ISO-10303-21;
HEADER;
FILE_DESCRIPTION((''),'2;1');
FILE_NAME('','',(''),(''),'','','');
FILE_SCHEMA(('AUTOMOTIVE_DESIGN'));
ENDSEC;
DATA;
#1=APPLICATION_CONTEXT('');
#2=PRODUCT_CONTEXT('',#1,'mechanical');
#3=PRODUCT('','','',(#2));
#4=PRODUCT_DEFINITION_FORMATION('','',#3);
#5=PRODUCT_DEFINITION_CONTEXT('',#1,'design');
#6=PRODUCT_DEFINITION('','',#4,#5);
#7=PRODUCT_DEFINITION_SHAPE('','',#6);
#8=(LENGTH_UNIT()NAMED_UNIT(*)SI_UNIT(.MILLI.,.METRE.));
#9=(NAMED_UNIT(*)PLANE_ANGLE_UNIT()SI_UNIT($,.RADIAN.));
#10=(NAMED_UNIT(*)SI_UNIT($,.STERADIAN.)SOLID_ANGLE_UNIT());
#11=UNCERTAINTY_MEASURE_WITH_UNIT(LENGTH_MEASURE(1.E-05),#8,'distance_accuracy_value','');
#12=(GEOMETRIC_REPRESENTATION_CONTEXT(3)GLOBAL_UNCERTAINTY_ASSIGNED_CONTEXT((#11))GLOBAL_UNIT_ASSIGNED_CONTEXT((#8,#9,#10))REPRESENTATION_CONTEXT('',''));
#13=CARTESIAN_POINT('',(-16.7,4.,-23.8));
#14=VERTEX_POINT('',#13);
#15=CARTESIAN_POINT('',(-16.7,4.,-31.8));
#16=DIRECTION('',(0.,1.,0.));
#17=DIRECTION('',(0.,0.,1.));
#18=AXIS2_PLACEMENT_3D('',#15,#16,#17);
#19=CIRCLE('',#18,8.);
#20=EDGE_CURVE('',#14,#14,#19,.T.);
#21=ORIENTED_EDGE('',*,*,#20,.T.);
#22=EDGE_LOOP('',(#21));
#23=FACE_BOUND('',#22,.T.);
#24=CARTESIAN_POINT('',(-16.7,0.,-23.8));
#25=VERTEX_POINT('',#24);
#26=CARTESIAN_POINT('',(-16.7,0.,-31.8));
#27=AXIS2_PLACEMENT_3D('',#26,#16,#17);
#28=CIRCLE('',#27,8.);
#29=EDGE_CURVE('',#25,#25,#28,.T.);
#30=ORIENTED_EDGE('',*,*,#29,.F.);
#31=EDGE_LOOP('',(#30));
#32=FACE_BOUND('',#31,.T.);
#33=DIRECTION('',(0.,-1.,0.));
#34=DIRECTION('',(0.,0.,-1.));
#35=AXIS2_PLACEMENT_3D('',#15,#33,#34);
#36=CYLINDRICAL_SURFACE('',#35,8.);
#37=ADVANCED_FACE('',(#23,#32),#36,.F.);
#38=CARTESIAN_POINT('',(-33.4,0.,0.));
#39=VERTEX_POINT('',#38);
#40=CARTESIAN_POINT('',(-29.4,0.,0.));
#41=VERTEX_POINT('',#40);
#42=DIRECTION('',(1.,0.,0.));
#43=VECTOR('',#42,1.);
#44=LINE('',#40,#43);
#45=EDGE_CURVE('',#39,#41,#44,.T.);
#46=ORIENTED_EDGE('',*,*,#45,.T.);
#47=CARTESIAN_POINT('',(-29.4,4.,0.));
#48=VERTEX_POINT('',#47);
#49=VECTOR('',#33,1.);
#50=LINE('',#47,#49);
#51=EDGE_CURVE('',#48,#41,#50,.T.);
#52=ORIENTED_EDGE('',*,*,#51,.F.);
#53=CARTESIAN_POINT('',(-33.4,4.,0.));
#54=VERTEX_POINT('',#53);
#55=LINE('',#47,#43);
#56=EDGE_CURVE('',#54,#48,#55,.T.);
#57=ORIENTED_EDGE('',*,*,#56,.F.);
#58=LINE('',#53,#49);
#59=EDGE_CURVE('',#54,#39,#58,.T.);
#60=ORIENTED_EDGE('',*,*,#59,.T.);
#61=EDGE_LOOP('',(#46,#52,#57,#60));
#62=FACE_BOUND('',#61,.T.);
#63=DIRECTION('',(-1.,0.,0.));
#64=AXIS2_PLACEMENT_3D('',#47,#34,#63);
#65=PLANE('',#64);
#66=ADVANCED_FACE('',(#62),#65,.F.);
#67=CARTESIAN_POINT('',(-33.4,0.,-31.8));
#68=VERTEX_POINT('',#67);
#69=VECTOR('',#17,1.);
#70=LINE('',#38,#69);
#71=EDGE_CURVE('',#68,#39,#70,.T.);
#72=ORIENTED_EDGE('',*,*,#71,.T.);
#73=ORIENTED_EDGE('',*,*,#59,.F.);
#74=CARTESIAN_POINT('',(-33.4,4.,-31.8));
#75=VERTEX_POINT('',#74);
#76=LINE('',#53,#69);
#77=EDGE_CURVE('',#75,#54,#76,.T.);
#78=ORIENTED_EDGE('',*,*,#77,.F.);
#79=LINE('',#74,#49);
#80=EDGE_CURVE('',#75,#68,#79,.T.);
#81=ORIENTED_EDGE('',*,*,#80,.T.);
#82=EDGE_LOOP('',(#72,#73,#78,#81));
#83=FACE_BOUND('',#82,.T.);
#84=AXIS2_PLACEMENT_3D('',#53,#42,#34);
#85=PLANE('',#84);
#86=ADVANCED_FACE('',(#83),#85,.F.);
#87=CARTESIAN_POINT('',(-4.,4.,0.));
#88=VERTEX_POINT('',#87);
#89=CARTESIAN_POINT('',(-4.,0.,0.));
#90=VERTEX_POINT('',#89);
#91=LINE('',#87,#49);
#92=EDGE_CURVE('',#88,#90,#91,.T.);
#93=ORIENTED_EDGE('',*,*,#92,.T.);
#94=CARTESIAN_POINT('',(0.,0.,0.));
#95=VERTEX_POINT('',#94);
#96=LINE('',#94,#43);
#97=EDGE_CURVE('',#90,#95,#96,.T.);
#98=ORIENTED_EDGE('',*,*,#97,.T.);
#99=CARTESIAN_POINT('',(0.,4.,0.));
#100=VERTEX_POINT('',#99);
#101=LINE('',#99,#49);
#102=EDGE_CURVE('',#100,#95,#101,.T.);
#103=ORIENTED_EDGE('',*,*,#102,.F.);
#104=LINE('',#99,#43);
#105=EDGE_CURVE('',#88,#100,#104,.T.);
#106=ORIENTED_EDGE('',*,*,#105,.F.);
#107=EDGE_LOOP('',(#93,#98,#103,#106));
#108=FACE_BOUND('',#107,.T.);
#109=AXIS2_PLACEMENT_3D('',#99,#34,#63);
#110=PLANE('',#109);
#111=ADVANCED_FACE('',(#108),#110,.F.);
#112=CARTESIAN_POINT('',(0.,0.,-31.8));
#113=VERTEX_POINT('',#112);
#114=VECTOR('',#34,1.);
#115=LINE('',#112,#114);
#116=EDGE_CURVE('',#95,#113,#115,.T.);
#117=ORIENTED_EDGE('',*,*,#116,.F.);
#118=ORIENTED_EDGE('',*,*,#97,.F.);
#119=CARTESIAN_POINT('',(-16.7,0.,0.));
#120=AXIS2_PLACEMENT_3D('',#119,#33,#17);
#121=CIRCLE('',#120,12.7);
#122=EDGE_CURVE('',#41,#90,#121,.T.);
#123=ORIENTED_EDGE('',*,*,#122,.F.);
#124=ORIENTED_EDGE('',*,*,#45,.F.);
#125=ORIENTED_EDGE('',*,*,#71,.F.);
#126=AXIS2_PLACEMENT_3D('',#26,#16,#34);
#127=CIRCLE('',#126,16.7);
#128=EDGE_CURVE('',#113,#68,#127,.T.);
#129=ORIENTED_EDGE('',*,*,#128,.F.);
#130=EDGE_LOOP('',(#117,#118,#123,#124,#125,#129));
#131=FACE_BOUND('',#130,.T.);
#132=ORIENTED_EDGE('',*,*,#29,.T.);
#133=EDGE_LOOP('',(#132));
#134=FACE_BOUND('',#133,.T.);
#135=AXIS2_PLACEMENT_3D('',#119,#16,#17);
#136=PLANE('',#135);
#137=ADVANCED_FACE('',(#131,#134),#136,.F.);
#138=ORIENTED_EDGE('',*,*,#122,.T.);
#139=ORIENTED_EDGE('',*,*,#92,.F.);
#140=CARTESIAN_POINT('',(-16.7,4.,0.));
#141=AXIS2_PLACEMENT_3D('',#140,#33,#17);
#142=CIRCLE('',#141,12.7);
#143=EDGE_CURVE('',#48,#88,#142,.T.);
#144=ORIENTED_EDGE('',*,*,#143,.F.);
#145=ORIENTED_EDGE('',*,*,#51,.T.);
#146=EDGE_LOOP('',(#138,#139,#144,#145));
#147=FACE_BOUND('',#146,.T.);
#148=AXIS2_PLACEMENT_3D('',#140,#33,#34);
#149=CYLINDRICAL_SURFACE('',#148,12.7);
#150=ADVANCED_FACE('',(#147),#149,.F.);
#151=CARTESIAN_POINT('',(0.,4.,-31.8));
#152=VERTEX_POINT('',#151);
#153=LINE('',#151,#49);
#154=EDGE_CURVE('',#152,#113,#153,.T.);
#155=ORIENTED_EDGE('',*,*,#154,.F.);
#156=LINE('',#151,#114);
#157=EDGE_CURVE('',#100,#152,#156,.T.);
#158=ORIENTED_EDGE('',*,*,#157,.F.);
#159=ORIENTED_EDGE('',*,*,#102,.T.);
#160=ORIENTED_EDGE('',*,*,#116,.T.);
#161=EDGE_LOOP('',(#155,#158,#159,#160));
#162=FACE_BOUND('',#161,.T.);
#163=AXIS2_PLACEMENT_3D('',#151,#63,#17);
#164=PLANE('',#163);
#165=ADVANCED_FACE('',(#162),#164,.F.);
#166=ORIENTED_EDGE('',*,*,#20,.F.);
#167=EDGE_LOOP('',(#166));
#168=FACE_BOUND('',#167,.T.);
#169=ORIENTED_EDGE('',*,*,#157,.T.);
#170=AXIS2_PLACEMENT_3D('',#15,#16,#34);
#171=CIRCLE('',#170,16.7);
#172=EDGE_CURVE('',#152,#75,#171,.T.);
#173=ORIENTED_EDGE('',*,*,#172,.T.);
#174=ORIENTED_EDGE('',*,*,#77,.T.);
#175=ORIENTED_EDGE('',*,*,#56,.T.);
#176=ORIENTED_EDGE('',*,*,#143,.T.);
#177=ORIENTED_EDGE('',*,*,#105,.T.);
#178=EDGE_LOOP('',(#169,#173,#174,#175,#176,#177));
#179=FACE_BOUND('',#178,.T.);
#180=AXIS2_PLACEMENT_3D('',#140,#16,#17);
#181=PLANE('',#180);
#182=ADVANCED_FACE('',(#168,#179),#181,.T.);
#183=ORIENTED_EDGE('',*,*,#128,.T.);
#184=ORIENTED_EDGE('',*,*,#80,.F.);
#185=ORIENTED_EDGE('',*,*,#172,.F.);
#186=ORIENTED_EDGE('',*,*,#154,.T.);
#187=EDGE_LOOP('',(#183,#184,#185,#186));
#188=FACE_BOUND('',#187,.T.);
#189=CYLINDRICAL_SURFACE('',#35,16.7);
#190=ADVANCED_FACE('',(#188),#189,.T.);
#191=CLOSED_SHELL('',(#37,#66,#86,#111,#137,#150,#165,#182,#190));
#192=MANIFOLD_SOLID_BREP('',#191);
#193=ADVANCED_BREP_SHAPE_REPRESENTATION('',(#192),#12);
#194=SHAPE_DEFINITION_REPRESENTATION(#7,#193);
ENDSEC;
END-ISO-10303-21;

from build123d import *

# Parameters (mm, degrees)
SKETCH1_R           = 8
BOSS_EXTRUDE1_DEPTH = 4


with BuildPart() as part:
    # Sketch1 → Boss-Extrude1 (new body)
    with BuildSketch(Plane(origin=(0, 0, 0), x_dir=(1, 0, 0), z_dir=(0, 1, 0))):
        with BuildLine():
            Line((0, 0), (-4, 0))
            ThreePointArc((-4, 0), (-16.7, 12.7), (-29.4, 0))
            Line((-29.4, 0), (-33.4, 0))
            Line((-33.4, 0), (-33.4, 31.8))
            ThreePointArc((-33.4, 31.8), (-16.7, 48.5), (0, 31.8))
            Line((0, 31.8), (0, 0))
        make_face()
        with Locations((-16.7, 31.8)):
            Circle(SKETCH1_R, mode=Mode.SUBTRACT)
    extrude(amount=BOSS_EXTRUDE1_DEPTH)


solid = part.part
